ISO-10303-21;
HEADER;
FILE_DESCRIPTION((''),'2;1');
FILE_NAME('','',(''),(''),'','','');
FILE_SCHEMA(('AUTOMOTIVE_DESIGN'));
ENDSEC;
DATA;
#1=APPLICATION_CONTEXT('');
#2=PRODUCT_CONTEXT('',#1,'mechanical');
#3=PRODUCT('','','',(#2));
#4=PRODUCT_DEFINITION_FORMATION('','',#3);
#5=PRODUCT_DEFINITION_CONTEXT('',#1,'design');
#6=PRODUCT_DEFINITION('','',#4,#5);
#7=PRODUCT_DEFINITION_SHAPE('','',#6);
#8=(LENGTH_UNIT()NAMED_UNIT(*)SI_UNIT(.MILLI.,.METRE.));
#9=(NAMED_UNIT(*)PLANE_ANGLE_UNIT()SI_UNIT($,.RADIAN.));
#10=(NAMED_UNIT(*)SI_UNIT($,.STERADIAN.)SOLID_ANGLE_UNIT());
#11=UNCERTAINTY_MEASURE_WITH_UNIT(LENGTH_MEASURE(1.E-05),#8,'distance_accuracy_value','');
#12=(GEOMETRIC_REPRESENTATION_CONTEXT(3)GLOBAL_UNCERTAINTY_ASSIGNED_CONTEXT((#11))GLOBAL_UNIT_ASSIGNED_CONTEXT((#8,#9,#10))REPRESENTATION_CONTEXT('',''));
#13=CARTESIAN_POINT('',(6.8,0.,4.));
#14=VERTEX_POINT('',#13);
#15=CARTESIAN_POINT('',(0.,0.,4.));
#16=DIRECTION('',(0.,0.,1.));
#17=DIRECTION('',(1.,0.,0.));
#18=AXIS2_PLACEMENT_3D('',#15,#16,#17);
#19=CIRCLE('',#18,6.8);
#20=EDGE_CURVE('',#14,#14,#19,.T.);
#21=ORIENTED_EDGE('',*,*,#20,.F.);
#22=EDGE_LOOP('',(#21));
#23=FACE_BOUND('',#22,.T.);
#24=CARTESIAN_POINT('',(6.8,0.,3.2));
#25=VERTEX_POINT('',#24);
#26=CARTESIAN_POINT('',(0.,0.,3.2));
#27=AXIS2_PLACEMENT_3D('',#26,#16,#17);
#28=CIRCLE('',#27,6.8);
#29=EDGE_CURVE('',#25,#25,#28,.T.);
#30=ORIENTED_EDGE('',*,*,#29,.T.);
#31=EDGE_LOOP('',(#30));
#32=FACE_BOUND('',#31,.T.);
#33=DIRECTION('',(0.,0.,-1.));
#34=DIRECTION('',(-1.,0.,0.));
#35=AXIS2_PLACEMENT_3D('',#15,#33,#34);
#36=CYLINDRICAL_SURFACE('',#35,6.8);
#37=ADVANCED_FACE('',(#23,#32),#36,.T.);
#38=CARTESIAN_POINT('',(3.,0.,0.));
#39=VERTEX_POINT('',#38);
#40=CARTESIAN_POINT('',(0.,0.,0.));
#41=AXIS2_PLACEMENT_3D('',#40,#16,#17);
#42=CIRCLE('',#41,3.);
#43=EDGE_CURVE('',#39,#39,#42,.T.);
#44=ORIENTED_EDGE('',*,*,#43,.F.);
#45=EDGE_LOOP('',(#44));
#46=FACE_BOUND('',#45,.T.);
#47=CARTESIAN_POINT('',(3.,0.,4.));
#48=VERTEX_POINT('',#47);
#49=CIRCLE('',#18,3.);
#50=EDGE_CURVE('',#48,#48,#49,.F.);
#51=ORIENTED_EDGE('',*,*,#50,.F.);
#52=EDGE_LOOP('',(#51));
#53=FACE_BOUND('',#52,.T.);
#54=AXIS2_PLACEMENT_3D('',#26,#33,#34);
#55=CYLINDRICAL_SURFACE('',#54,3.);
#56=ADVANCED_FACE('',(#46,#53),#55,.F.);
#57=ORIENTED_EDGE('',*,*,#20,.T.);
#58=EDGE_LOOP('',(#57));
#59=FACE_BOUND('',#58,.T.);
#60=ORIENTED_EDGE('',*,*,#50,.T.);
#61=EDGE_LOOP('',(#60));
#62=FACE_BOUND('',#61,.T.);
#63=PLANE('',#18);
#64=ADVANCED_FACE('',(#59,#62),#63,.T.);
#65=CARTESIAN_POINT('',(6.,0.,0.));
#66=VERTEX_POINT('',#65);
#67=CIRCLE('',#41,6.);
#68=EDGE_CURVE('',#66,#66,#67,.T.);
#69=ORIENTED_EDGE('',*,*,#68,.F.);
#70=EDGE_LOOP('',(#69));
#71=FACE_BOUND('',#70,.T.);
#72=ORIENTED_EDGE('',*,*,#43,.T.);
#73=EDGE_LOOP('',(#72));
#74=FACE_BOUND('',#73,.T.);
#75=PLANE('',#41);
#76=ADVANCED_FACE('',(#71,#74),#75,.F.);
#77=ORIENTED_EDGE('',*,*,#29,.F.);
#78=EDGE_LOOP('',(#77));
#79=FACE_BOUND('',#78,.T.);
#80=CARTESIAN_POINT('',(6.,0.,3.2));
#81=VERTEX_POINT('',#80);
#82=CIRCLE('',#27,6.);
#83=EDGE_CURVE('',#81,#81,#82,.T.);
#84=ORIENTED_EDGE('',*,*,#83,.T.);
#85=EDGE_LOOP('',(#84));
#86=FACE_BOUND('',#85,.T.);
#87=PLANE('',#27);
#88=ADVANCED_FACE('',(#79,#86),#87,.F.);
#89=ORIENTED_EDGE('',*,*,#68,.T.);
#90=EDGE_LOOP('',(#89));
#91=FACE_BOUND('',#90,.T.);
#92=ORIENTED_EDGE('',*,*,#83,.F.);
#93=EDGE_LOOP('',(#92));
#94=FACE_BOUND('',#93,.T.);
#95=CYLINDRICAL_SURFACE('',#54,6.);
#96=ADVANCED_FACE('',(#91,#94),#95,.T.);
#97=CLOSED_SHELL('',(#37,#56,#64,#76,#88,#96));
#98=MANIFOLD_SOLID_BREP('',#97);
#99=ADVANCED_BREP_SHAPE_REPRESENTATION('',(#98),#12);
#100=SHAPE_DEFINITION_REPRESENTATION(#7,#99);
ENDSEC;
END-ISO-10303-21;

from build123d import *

# Parameters (mm, degrees)
SKETCH_1_R          = 6
SKETCH_1_R_2        = 3
EXTRUDE_1_DEPTH     = 3.2
SKETCH_2_R          = 6.8
EXTRUDE_2_DEPTH     = 0.8
SKETCH_3_R          = 3
CUT_EXTRUDE_1_DEPTH = 0.8


with BuildPart() as part:
    # 草图1 → 凸台-拉伸1 (new body)
    with BuildSketch(Plane.XY):
        Circle(SKETCH_1_R)
        Circle(SKETCH_1_R_2, mode=Mode.SUBTRACT)
    extrude(amount=EXTRUDE_1_DEPTH)

    # 草图2 → 凸台-拉伸2 (add)
    with BuildSketch(Plane.XY.offset(3.2)):
        Circle(SKETCH_2_R)
    extrude(amount=EXTRUDE_2_DEPTH)

    # 草图3 → 切除-拉伸1 (cut)
    with BuildSketch(Plane(origin=(0, 0, 3.2), x_dir=(-1, 0, 0), z_dir=(0, 0, -1))):
        Circle(SKETCH_3_R)
    extrude(amount=-CUT_EXTRUDE_1_DEPTH, mode=Mode.SUBTRACT)


solid = part.part
